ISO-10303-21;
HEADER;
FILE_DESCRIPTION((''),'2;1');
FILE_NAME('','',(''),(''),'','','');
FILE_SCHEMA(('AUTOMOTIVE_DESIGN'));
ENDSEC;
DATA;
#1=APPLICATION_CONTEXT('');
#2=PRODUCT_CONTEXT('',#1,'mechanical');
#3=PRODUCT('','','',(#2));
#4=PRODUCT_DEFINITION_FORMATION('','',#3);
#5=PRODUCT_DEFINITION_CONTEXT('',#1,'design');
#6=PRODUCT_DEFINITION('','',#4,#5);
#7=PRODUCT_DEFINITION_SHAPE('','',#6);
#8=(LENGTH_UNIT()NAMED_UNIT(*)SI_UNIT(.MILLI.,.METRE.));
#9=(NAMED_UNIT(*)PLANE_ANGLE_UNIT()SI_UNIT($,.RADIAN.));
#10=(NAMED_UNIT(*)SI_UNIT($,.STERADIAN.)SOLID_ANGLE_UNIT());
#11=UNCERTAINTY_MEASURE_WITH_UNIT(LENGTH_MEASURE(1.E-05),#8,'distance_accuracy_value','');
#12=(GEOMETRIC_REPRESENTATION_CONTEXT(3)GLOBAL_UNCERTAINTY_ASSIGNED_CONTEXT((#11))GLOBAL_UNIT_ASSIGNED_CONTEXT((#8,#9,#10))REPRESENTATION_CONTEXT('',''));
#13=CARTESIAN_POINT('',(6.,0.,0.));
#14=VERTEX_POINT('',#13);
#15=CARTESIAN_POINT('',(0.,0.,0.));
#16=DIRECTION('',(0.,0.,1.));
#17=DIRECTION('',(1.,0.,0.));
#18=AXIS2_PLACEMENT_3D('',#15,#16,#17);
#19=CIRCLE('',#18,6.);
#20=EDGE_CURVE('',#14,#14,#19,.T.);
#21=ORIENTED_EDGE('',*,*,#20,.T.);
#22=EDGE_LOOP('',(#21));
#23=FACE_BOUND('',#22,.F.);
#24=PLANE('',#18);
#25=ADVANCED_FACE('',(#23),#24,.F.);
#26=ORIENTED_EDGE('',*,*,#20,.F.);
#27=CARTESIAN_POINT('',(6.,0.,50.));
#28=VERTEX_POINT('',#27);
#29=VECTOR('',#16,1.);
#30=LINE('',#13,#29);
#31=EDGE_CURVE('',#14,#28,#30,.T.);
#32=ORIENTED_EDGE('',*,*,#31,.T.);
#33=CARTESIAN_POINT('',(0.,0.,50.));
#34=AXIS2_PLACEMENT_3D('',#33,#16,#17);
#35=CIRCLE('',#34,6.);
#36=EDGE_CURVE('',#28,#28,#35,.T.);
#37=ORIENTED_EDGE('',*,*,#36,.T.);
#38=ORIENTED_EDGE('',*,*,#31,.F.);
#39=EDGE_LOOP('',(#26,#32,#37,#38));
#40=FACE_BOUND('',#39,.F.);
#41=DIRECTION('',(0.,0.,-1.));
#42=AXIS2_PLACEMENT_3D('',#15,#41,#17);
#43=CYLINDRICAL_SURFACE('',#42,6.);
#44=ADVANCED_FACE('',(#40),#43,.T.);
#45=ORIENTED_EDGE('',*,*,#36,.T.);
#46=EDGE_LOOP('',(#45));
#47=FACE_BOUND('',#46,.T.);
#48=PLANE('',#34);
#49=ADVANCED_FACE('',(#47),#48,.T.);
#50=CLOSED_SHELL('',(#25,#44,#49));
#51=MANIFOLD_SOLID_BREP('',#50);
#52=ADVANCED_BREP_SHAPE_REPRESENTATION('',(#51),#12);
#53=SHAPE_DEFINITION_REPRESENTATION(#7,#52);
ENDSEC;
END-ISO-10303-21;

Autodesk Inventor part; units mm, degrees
ref_plane "YZ Plane" through (0, 0, 0) normal (1, 0, 0) x (0, 1, 0)
ref_plane "XZ Plane" through (0, 0, 0) normal (0, 1, 0) x (-1, 0, 0)
ref_plane "XY Plane" through (0, 0, 0) normal (0, 0, 1) x (1, 0, 0)
sketch "Sketch1" plane through (0, 0, 0) normal (0, 0, 1) x (1, 0, 0)
  circle A0 centre (0, 0) radius 6
  dimension "d0" = 12
extrude "Extrusion1" add sketch "Sketch1" along normal blind 50
properties part number "00_laser_dummy"
